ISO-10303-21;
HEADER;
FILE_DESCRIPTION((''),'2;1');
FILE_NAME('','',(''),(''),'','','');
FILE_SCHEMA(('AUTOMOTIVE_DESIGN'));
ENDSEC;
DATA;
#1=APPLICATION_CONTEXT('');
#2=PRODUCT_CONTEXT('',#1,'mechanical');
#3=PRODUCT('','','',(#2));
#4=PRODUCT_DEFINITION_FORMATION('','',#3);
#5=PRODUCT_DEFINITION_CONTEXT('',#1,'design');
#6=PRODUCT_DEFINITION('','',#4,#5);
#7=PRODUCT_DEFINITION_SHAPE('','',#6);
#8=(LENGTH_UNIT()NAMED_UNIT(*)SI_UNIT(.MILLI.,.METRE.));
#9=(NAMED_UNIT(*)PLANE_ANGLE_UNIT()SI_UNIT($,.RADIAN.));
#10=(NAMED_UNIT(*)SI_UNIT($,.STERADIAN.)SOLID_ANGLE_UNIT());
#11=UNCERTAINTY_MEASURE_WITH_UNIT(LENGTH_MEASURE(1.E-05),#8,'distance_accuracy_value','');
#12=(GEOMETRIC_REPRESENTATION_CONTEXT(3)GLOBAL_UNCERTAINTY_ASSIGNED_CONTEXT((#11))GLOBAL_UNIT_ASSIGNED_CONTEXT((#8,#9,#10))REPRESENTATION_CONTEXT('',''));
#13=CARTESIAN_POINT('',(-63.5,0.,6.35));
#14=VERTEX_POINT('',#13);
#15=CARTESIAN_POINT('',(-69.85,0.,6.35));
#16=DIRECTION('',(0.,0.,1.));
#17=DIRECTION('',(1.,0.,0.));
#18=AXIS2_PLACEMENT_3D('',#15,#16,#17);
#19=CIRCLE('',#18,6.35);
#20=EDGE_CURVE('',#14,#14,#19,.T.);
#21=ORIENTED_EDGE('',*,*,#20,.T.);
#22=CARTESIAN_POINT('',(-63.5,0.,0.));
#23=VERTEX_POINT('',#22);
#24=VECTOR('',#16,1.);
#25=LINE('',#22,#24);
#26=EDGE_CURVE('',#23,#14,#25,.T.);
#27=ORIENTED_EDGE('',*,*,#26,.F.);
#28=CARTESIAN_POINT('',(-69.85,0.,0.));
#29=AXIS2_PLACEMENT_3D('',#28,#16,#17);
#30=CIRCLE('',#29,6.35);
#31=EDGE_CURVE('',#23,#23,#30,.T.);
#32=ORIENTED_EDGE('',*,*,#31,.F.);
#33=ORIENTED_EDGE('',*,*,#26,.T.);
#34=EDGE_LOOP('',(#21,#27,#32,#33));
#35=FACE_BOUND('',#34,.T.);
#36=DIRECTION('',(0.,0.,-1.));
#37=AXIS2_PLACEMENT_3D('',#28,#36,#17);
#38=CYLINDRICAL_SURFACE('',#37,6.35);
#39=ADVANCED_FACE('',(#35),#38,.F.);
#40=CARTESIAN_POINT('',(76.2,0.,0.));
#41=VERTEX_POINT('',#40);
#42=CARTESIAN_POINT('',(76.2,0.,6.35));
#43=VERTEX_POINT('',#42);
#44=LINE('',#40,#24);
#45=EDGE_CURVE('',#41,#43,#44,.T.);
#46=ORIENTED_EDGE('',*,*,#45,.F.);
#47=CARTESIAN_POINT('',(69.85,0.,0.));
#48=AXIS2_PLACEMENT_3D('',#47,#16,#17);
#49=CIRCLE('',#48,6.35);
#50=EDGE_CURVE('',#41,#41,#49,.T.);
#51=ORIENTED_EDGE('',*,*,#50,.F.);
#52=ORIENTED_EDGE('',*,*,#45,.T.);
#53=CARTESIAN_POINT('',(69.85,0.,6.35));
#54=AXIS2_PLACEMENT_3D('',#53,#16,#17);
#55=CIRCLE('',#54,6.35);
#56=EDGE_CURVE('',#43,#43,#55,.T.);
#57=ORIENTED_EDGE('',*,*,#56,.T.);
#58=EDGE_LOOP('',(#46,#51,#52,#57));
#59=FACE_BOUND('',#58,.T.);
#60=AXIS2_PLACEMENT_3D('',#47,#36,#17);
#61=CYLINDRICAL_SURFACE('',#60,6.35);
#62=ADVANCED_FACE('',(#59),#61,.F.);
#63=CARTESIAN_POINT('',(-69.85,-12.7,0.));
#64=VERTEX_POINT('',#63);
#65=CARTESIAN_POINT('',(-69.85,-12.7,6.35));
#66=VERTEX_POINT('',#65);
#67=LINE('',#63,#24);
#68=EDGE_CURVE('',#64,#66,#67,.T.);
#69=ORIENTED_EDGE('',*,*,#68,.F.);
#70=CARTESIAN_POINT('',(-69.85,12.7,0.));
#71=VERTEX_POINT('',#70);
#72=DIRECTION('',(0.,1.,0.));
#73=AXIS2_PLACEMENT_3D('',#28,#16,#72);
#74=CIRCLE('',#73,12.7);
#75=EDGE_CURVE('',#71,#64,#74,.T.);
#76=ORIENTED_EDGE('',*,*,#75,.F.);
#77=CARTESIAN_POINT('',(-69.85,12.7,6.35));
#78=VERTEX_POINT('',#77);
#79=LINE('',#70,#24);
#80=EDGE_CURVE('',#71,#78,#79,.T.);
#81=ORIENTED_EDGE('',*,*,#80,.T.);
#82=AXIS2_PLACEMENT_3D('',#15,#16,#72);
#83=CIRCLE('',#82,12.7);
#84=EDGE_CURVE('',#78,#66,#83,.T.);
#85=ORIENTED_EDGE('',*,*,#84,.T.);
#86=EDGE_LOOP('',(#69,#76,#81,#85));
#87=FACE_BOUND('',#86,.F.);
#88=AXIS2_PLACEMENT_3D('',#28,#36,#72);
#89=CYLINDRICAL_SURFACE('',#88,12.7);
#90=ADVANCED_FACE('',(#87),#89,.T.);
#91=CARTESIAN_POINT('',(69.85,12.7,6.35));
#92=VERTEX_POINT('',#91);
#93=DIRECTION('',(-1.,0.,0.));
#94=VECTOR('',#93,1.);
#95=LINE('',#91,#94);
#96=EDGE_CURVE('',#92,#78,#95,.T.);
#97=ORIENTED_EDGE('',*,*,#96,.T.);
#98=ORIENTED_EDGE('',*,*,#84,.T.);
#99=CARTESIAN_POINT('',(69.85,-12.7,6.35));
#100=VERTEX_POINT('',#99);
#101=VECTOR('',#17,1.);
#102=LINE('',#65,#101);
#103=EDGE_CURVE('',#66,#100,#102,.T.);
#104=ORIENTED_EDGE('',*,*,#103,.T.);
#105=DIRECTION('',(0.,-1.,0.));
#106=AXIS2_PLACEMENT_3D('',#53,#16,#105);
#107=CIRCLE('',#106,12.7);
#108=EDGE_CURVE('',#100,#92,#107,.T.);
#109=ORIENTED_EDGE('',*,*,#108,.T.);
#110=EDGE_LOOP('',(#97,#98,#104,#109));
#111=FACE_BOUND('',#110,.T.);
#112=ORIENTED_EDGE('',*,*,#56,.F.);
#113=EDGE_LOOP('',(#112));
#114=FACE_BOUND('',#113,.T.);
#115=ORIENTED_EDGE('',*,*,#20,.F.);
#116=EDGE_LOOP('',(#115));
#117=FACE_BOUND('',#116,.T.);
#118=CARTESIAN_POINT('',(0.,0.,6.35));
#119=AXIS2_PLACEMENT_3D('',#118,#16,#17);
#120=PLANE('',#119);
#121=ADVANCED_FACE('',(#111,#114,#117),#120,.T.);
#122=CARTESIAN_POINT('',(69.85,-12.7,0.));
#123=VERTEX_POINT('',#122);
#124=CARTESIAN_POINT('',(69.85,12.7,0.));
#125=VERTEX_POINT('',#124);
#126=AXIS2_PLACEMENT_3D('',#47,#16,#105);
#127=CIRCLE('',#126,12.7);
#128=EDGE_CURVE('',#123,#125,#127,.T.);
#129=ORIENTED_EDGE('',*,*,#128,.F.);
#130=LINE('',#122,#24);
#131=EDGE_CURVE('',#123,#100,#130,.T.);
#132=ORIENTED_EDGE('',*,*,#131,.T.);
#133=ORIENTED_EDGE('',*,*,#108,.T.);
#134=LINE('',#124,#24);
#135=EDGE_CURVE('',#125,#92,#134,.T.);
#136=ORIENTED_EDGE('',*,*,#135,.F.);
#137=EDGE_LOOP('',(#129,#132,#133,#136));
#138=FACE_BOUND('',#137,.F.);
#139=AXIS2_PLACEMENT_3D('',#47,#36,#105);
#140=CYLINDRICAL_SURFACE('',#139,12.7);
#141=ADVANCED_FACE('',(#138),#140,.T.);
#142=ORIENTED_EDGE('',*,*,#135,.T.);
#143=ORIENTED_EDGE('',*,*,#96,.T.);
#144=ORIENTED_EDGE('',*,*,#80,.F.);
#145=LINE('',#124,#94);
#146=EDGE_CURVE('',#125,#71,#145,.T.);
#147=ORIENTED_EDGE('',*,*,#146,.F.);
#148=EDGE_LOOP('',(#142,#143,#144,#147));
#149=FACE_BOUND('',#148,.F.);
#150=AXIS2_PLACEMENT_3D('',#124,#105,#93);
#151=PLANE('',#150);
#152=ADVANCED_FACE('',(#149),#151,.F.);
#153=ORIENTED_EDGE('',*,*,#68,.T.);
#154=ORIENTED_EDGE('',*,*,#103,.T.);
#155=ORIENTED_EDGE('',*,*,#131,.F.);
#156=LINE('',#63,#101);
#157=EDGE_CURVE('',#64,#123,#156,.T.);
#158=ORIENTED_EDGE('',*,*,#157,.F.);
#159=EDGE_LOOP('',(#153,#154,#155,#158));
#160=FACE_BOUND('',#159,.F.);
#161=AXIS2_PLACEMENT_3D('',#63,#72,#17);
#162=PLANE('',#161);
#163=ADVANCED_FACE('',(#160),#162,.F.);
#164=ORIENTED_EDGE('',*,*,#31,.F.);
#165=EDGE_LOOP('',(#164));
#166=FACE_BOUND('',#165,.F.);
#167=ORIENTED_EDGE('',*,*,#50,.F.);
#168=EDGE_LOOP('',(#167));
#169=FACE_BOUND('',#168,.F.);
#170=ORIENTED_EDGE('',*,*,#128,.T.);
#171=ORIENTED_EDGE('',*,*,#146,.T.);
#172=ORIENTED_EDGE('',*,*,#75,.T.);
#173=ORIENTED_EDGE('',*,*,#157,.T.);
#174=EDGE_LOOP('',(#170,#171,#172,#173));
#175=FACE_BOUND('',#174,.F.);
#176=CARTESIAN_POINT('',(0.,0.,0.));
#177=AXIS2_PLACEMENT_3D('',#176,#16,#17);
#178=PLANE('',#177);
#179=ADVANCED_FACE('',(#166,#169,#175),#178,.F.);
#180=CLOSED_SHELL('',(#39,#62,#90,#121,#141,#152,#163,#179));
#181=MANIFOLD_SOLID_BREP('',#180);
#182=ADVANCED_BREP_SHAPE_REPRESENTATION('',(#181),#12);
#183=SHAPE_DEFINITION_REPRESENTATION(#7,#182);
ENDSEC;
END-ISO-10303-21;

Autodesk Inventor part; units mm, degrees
ref_plane "YZ Plane" through (0, 0, 0) normal (1, 0, 0) x (0, 1, 0)
ref_plane "XZ Plane" through (0, 0, 0) normal (0, 1, 0) x (-1, 0, 0)
ref_plane "XY Plane" through (0, 0, 0) normal (0, 0, 1) x (1, 0, 0)
sketch "Sketch1" plane through (0, 0, 0) normal (0, 0, 1) x (1, 0, 0)
  line L0 (-69.85, 0) -> (69.85, 0) construction
  line L1 (-69.85, -12.7) -> (69.85, -12.7)
  line L2 (69.85, 12.7) -> (-69.85, 12.7)
  arc A0 (-69.85, 12.7) -> (-69.85, -12.7) centre (-69.85, 0) ccw
  arc A1 (69.85, -12.7) -> (69.85, 12.7) centre (69.85, 0) ccw
  circle A2 centre (-69.85, 0) radius 6.35
  circle A3 centre (69.85, 0) radius 6.35
  point P0 (0, 0)
  dimension "d0" = 69.85
  dimension "d1" = 25.4
  dimension "d2" = 12.7
  dimension "d3" = 12.7
extrude "Extrusion1" add sketch "Sketch1" along normal blind 6.35
properties part number "CS-Crank"
